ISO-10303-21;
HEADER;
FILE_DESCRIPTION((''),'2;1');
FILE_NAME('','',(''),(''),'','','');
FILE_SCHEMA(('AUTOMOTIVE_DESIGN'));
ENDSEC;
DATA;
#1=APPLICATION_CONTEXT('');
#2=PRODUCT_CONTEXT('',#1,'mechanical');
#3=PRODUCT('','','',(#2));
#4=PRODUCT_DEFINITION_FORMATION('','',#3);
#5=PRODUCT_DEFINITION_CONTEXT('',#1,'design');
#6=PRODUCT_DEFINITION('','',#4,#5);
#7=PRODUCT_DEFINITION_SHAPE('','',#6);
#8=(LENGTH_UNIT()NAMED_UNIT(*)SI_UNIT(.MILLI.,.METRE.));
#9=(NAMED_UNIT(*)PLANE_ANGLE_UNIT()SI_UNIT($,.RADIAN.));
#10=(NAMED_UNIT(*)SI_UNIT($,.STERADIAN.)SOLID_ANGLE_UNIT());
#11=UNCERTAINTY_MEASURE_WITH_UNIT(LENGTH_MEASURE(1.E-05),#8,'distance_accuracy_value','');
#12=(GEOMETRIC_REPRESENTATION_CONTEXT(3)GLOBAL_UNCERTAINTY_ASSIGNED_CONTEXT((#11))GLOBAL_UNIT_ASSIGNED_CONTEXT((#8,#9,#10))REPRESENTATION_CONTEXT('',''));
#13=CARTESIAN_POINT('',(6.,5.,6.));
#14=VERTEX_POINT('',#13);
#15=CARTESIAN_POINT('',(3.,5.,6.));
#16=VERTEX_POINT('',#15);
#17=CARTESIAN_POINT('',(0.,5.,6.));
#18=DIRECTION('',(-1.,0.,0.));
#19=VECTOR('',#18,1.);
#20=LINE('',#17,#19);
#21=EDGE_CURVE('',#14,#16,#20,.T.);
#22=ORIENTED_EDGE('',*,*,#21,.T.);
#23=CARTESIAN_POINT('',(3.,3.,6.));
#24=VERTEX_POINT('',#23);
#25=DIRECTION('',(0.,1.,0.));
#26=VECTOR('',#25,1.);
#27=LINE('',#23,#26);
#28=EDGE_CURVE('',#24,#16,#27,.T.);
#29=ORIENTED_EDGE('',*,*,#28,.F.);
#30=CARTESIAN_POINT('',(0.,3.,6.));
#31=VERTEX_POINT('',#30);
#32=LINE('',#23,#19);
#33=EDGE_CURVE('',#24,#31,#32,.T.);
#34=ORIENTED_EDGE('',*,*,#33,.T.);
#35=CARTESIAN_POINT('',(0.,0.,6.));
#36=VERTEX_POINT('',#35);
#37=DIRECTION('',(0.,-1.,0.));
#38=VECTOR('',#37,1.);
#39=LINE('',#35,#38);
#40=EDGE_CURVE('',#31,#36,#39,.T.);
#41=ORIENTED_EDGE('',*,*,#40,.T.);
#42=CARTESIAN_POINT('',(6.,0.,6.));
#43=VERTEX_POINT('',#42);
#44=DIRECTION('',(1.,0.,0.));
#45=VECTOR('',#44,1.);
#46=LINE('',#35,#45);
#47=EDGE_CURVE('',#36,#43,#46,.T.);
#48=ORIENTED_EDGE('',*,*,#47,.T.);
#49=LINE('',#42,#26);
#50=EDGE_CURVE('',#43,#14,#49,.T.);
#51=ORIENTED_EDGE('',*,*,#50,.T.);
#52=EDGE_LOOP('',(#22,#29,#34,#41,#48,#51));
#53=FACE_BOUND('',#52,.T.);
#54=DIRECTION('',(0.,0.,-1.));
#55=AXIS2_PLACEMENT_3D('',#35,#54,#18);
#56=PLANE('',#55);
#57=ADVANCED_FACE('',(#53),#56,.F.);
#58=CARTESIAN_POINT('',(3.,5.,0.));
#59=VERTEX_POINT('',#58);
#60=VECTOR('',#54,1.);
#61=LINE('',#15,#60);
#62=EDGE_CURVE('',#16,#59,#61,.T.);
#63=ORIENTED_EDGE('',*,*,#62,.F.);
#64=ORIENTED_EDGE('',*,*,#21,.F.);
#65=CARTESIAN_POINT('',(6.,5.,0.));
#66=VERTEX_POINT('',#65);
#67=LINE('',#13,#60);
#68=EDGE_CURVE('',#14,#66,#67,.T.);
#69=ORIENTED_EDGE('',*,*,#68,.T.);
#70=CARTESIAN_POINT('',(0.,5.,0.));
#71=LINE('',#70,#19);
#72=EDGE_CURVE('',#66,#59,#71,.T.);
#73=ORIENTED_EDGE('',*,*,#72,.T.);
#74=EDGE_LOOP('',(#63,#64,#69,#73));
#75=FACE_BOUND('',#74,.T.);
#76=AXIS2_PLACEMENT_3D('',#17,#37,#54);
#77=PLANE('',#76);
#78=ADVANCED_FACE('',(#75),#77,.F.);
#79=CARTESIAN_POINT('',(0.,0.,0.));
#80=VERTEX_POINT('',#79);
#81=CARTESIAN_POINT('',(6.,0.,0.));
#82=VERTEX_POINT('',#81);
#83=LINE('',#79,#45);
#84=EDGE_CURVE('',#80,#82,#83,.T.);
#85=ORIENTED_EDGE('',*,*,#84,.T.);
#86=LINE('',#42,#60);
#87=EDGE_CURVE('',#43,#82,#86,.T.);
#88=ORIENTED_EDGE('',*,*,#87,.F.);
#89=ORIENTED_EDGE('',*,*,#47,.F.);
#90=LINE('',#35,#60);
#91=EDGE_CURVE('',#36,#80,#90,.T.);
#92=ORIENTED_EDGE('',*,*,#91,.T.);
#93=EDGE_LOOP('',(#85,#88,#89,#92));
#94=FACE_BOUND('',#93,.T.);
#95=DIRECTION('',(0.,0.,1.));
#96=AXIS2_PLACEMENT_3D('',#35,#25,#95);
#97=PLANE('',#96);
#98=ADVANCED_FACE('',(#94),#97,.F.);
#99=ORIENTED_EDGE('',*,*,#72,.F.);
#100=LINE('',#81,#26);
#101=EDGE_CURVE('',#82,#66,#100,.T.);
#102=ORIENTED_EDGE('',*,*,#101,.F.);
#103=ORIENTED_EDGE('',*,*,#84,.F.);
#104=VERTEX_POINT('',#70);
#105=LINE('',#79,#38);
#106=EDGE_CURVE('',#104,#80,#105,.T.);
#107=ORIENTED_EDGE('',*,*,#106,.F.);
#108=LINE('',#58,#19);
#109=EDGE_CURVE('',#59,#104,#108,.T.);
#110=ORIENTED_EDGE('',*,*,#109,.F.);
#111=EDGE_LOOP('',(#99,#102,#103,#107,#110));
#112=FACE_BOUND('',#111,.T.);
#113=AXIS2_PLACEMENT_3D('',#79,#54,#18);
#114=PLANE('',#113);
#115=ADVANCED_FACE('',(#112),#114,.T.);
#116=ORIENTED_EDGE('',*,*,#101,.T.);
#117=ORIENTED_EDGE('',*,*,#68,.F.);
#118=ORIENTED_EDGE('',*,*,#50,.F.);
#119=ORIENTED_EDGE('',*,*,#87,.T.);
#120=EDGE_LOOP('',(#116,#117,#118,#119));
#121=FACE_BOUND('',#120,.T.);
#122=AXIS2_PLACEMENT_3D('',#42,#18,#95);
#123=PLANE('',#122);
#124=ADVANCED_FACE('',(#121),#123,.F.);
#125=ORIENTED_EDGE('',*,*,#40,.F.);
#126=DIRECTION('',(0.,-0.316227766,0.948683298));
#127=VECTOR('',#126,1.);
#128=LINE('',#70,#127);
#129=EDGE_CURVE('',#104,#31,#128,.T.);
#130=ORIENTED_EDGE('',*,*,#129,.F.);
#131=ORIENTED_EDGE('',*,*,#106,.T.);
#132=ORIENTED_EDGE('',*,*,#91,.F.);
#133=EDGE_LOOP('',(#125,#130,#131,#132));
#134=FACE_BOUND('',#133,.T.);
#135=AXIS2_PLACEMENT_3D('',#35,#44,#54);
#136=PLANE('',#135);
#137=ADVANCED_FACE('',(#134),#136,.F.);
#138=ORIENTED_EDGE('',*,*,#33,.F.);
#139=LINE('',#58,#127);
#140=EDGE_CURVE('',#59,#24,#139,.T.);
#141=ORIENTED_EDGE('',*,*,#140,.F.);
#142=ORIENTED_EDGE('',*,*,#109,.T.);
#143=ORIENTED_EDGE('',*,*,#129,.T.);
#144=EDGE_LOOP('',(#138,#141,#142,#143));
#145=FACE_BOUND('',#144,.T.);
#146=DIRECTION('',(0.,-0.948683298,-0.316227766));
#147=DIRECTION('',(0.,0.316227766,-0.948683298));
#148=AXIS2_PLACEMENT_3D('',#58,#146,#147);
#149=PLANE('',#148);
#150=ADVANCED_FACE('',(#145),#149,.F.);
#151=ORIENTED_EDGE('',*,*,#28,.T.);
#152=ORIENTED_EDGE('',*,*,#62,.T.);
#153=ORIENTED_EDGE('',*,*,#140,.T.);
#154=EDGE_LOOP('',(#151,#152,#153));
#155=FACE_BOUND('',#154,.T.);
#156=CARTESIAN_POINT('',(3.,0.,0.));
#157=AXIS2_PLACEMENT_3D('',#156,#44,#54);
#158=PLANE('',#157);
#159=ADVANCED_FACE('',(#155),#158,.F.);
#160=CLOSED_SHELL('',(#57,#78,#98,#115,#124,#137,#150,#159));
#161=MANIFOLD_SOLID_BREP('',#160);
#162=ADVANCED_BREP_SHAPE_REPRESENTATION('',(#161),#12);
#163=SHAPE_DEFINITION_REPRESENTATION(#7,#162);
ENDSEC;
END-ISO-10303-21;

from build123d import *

# Parameters (mm, degrees)
SKETCH3_W           = 6
SKETCH3_H           = 5
BOSS_EXTRUDE6_DEPTH = 6
CUT_EXTRUDE3_DEPTH  = 3


with BuildPart() as part:
    # Sketch3 → Boss-Extrude6 (new body)
    with BuildSketch(Plane.XY):
        with Locations((3, 2.5)):
            Rectangle(SKETCH3_W, SKETCH3_H)
    extrude(amount=BOSS_EXTRUDE6_DEPTH)

    # Sketch7 → Cut-Extrude3 (cut)
    with BuildSketch(Plane.ZY):
        Polygon((0, 5), (6, 3), (6, 5), align=None)
    extrude(amount=-CUT_EXTRUDE3_DEPTH, mode=Mode.SUBTRACT)


solid = part.part
